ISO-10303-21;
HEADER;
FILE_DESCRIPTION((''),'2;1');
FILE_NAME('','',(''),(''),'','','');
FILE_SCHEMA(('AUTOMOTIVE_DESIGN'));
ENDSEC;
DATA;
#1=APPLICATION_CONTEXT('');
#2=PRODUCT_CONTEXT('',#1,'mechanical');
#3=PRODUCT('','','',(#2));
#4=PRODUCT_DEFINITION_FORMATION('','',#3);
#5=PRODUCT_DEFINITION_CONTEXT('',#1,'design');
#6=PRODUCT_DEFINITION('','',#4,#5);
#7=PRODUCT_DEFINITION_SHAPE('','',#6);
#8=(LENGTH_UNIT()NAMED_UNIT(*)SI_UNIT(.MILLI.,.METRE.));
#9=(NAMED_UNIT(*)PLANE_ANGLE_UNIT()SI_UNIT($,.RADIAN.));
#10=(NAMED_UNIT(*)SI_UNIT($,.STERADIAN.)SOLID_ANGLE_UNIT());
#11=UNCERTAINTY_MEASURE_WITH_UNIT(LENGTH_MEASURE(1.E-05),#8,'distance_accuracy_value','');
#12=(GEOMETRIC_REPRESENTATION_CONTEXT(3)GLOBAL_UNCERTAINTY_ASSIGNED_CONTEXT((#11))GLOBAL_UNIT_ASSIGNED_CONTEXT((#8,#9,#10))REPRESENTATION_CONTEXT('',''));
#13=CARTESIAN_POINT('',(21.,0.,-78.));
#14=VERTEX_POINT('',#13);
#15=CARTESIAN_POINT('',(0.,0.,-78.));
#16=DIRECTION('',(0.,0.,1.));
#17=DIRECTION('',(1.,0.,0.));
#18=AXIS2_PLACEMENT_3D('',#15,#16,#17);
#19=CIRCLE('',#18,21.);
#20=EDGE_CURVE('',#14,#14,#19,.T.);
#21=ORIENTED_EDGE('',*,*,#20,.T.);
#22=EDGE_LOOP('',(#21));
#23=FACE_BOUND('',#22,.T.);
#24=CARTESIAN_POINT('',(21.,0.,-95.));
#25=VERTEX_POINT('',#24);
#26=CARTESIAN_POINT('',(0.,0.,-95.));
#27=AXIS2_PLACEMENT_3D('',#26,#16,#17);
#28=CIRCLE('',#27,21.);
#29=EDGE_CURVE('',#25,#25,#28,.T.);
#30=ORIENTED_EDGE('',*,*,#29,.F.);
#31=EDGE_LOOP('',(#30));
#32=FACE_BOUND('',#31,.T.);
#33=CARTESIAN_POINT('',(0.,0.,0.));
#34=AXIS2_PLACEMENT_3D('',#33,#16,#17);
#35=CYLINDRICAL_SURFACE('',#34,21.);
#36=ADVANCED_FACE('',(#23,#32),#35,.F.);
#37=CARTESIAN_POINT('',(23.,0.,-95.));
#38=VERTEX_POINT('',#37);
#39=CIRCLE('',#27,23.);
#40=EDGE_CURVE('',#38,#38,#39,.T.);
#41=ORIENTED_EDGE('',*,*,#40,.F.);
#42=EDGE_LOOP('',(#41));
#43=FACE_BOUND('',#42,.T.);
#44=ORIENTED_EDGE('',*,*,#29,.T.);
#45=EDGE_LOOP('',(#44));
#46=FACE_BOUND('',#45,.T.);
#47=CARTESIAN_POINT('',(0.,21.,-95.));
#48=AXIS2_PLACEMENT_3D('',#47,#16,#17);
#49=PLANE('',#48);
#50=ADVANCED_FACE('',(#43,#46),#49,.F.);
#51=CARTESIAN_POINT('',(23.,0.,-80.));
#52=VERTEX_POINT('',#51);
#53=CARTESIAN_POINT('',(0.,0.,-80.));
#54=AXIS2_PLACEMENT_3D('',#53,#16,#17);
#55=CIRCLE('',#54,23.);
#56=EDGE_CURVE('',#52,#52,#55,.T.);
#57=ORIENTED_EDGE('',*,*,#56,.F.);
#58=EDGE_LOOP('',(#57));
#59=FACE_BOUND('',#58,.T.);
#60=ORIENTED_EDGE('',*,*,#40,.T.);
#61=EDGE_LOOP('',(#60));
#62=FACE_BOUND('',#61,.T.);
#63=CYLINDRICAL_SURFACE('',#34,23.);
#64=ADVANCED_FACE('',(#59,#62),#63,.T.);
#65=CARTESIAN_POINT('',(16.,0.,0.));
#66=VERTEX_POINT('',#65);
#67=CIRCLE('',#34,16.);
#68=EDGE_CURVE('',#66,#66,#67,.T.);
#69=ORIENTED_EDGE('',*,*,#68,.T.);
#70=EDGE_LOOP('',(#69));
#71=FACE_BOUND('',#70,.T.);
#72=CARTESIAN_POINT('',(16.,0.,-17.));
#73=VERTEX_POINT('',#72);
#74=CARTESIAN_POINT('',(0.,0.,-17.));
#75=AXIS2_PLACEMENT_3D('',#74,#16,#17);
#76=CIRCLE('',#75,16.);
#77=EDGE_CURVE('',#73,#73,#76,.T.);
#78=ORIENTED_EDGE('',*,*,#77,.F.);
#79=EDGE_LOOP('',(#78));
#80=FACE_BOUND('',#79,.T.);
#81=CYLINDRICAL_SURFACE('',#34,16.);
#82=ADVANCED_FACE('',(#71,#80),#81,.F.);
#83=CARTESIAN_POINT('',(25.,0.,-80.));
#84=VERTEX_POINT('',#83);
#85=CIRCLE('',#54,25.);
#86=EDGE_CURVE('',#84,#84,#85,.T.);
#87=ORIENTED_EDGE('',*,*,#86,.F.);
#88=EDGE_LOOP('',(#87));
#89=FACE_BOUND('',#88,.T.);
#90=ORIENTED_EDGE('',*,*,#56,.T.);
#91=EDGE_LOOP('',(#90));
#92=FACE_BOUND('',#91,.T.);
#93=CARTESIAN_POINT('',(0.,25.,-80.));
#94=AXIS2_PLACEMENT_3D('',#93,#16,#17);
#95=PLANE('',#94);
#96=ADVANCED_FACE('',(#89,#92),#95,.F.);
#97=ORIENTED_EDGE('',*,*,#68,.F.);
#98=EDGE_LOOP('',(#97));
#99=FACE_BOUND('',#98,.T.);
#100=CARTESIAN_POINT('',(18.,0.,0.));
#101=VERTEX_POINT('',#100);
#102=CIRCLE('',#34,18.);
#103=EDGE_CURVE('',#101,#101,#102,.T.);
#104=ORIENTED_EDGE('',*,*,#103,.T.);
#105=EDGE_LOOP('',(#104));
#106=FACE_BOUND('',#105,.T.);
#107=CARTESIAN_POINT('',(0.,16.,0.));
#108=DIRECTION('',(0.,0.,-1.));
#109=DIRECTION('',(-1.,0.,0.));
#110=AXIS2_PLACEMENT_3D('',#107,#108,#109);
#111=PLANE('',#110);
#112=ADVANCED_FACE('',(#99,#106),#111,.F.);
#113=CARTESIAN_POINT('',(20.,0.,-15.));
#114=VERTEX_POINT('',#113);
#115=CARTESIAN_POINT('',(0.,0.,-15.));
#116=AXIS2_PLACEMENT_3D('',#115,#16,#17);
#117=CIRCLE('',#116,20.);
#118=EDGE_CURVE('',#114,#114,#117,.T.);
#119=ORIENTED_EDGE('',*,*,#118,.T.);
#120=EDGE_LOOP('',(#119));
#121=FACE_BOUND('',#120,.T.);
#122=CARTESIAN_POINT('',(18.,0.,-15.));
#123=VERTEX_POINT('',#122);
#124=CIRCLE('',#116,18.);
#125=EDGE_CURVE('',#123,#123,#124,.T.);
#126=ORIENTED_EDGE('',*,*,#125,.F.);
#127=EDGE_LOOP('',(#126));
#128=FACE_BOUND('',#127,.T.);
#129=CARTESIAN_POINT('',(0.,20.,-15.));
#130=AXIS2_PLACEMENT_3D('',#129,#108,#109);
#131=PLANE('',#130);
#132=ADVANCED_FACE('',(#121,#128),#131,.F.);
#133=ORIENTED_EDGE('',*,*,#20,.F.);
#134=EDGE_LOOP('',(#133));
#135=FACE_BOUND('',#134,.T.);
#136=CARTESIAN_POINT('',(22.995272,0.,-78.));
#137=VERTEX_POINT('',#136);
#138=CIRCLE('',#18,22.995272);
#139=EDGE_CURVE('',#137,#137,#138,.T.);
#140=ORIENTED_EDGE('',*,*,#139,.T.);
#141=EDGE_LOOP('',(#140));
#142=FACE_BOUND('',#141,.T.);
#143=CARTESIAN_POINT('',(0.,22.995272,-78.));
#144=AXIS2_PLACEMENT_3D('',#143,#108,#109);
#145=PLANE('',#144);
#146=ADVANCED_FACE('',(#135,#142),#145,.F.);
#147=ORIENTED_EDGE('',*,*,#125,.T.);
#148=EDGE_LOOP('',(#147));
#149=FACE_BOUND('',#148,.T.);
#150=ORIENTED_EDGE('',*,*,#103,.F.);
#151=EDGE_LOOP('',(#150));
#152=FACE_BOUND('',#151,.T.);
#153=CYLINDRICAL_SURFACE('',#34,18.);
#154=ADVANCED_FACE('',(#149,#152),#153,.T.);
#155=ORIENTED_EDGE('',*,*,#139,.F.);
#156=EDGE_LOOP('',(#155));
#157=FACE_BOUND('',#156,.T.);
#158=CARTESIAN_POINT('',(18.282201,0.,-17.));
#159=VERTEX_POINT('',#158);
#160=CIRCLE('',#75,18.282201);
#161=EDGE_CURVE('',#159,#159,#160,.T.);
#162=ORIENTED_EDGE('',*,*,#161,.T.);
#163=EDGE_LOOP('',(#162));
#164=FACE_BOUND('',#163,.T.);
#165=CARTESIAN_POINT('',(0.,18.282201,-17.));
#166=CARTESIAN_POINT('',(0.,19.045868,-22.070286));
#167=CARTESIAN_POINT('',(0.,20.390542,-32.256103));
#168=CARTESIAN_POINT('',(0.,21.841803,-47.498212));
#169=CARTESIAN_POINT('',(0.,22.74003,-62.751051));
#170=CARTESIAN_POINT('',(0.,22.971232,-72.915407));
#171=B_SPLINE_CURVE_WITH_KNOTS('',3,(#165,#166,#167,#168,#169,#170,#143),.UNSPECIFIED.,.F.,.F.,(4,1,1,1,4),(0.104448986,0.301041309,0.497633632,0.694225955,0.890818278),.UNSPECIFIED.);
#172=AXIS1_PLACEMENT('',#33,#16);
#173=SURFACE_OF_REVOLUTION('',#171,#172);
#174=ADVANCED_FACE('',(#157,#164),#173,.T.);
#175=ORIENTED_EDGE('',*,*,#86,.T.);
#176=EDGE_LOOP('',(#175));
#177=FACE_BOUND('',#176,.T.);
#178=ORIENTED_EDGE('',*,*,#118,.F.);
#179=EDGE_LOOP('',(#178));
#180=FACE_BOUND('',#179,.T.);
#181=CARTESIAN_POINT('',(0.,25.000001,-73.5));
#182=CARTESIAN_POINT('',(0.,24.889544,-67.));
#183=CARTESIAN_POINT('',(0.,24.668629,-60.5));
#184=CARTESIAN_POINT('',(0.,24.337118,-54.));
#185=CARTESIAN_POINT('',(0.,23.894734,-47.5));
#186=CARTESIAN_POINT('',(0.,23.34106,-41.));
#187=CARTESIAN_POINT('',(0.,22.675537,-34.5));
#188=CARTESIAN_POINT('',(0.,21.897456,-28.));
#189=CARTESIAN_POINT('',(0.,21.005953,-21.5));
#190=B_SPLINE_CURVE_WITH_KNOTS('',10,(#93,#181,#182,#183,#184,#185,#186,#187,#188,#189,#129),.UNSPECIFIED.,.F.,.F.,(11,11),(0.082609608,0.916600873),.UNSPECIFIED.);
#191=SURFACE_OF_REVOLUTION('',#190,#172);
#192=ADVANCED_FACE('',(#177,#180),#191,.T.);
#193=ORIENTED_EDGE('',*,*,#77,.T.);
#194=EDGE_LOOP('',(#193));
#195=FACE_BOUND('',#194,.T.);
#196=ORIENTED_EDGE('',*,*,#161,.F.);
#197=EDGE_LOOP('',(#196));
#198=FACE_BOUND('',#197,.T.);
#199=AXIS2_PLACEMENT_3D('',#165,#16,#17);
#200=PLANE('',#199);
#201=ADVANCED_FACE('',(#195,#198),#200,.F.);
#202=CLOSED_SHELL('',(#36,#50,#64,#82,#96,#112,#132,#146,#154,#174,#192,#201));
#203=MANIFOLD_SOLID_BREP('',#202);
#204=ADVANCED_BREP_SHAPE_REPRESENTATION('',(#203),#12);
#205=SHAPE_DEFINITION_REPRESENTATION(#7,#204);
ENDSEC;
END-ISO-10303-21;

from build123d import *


with BuildPart() as part:
    # Sketch3 → Revolve1 (revolve)
    with BuildSketch(Plane(origin=(0, 0, 0), x_dir=(0, 0, -1), z_dir=(1, 0, 0)), mode=Mode.PRIVATE) as revolve1_sk:
        with BuildLine():
            Line((15, 19.999999997), (15, 17.999999997))
            Line((15, 17.999999997), (0, 17.999999997))
            Line((0, 17.999999997), (0, 15.999999997))
            Line((0, 15.999999997), (17, 15.999999997))
            Line((17, 15.999999997), (17, 18.282201438))
            add(Edge.make_bspline(
                [(17, 18.282201438), (22.070286152, 19.045867905), (32.256102656, 20.390541894), (47.498211654, 21.841802627), (62.751051161, 22.740030273), (72.915406547, 22.971232092), (77.999999854, 22.995272199)],
                knots=[0.104448986, 0.104448986, 0.104448986, 0.104448986, 0.301041309, 0.497633632, 0.694225955, 0.890818278, 0.890818278, 0.890818278, 0.890818278], degree=3))
            Line((77.999999854, 22.995272199), (77.999999854, 21))
            Line((77.999999854, 21), (94.999999854, 21))
            Line((94.999999854, 21), (94.999999854, 23))
            Line((94.999999854, 23), (79.999999854, 23))
            Line((79.999999854, 23), (79.999999854, 25))
            add(Edge.make_bspline(
                [(15, 19.999999997), (21.49999997, 21.005952567), (27.999999944, 21.89745556), (34.499999922, 22.675536927), (40.999999902, 23.341060186), (47.499999886, 23.8947337), (53.999999873, 24.337117594), (60.499999864, 24.668628723), (66.999999857, 24.889543884), (73.499999854, 25.000001318), (79.999999854, 25)],
                knots=[0.082609608, 0.082609608, 0.082609608, 0.082609608, 0.082609608, 0.082609608, 0.082609608, 0.082609608, 0.082609608, 0.082609608, 0.082609608, 0.916600873, 0.916600873, 0.916600873, 0.916600873, 0.916600873, 0.916600873, 0.916600873, 0.916600873, 0.916600873, 0.916600873, 0.916600873], degree=10))
        make_face()
    revolve(revolve1_sk.sketch.rotate(Axis((0, 0, 0), (0, 0, -1)), 90), axis=Axis((0, 0, 0), (0, 0, -1)))


solid = part.part
